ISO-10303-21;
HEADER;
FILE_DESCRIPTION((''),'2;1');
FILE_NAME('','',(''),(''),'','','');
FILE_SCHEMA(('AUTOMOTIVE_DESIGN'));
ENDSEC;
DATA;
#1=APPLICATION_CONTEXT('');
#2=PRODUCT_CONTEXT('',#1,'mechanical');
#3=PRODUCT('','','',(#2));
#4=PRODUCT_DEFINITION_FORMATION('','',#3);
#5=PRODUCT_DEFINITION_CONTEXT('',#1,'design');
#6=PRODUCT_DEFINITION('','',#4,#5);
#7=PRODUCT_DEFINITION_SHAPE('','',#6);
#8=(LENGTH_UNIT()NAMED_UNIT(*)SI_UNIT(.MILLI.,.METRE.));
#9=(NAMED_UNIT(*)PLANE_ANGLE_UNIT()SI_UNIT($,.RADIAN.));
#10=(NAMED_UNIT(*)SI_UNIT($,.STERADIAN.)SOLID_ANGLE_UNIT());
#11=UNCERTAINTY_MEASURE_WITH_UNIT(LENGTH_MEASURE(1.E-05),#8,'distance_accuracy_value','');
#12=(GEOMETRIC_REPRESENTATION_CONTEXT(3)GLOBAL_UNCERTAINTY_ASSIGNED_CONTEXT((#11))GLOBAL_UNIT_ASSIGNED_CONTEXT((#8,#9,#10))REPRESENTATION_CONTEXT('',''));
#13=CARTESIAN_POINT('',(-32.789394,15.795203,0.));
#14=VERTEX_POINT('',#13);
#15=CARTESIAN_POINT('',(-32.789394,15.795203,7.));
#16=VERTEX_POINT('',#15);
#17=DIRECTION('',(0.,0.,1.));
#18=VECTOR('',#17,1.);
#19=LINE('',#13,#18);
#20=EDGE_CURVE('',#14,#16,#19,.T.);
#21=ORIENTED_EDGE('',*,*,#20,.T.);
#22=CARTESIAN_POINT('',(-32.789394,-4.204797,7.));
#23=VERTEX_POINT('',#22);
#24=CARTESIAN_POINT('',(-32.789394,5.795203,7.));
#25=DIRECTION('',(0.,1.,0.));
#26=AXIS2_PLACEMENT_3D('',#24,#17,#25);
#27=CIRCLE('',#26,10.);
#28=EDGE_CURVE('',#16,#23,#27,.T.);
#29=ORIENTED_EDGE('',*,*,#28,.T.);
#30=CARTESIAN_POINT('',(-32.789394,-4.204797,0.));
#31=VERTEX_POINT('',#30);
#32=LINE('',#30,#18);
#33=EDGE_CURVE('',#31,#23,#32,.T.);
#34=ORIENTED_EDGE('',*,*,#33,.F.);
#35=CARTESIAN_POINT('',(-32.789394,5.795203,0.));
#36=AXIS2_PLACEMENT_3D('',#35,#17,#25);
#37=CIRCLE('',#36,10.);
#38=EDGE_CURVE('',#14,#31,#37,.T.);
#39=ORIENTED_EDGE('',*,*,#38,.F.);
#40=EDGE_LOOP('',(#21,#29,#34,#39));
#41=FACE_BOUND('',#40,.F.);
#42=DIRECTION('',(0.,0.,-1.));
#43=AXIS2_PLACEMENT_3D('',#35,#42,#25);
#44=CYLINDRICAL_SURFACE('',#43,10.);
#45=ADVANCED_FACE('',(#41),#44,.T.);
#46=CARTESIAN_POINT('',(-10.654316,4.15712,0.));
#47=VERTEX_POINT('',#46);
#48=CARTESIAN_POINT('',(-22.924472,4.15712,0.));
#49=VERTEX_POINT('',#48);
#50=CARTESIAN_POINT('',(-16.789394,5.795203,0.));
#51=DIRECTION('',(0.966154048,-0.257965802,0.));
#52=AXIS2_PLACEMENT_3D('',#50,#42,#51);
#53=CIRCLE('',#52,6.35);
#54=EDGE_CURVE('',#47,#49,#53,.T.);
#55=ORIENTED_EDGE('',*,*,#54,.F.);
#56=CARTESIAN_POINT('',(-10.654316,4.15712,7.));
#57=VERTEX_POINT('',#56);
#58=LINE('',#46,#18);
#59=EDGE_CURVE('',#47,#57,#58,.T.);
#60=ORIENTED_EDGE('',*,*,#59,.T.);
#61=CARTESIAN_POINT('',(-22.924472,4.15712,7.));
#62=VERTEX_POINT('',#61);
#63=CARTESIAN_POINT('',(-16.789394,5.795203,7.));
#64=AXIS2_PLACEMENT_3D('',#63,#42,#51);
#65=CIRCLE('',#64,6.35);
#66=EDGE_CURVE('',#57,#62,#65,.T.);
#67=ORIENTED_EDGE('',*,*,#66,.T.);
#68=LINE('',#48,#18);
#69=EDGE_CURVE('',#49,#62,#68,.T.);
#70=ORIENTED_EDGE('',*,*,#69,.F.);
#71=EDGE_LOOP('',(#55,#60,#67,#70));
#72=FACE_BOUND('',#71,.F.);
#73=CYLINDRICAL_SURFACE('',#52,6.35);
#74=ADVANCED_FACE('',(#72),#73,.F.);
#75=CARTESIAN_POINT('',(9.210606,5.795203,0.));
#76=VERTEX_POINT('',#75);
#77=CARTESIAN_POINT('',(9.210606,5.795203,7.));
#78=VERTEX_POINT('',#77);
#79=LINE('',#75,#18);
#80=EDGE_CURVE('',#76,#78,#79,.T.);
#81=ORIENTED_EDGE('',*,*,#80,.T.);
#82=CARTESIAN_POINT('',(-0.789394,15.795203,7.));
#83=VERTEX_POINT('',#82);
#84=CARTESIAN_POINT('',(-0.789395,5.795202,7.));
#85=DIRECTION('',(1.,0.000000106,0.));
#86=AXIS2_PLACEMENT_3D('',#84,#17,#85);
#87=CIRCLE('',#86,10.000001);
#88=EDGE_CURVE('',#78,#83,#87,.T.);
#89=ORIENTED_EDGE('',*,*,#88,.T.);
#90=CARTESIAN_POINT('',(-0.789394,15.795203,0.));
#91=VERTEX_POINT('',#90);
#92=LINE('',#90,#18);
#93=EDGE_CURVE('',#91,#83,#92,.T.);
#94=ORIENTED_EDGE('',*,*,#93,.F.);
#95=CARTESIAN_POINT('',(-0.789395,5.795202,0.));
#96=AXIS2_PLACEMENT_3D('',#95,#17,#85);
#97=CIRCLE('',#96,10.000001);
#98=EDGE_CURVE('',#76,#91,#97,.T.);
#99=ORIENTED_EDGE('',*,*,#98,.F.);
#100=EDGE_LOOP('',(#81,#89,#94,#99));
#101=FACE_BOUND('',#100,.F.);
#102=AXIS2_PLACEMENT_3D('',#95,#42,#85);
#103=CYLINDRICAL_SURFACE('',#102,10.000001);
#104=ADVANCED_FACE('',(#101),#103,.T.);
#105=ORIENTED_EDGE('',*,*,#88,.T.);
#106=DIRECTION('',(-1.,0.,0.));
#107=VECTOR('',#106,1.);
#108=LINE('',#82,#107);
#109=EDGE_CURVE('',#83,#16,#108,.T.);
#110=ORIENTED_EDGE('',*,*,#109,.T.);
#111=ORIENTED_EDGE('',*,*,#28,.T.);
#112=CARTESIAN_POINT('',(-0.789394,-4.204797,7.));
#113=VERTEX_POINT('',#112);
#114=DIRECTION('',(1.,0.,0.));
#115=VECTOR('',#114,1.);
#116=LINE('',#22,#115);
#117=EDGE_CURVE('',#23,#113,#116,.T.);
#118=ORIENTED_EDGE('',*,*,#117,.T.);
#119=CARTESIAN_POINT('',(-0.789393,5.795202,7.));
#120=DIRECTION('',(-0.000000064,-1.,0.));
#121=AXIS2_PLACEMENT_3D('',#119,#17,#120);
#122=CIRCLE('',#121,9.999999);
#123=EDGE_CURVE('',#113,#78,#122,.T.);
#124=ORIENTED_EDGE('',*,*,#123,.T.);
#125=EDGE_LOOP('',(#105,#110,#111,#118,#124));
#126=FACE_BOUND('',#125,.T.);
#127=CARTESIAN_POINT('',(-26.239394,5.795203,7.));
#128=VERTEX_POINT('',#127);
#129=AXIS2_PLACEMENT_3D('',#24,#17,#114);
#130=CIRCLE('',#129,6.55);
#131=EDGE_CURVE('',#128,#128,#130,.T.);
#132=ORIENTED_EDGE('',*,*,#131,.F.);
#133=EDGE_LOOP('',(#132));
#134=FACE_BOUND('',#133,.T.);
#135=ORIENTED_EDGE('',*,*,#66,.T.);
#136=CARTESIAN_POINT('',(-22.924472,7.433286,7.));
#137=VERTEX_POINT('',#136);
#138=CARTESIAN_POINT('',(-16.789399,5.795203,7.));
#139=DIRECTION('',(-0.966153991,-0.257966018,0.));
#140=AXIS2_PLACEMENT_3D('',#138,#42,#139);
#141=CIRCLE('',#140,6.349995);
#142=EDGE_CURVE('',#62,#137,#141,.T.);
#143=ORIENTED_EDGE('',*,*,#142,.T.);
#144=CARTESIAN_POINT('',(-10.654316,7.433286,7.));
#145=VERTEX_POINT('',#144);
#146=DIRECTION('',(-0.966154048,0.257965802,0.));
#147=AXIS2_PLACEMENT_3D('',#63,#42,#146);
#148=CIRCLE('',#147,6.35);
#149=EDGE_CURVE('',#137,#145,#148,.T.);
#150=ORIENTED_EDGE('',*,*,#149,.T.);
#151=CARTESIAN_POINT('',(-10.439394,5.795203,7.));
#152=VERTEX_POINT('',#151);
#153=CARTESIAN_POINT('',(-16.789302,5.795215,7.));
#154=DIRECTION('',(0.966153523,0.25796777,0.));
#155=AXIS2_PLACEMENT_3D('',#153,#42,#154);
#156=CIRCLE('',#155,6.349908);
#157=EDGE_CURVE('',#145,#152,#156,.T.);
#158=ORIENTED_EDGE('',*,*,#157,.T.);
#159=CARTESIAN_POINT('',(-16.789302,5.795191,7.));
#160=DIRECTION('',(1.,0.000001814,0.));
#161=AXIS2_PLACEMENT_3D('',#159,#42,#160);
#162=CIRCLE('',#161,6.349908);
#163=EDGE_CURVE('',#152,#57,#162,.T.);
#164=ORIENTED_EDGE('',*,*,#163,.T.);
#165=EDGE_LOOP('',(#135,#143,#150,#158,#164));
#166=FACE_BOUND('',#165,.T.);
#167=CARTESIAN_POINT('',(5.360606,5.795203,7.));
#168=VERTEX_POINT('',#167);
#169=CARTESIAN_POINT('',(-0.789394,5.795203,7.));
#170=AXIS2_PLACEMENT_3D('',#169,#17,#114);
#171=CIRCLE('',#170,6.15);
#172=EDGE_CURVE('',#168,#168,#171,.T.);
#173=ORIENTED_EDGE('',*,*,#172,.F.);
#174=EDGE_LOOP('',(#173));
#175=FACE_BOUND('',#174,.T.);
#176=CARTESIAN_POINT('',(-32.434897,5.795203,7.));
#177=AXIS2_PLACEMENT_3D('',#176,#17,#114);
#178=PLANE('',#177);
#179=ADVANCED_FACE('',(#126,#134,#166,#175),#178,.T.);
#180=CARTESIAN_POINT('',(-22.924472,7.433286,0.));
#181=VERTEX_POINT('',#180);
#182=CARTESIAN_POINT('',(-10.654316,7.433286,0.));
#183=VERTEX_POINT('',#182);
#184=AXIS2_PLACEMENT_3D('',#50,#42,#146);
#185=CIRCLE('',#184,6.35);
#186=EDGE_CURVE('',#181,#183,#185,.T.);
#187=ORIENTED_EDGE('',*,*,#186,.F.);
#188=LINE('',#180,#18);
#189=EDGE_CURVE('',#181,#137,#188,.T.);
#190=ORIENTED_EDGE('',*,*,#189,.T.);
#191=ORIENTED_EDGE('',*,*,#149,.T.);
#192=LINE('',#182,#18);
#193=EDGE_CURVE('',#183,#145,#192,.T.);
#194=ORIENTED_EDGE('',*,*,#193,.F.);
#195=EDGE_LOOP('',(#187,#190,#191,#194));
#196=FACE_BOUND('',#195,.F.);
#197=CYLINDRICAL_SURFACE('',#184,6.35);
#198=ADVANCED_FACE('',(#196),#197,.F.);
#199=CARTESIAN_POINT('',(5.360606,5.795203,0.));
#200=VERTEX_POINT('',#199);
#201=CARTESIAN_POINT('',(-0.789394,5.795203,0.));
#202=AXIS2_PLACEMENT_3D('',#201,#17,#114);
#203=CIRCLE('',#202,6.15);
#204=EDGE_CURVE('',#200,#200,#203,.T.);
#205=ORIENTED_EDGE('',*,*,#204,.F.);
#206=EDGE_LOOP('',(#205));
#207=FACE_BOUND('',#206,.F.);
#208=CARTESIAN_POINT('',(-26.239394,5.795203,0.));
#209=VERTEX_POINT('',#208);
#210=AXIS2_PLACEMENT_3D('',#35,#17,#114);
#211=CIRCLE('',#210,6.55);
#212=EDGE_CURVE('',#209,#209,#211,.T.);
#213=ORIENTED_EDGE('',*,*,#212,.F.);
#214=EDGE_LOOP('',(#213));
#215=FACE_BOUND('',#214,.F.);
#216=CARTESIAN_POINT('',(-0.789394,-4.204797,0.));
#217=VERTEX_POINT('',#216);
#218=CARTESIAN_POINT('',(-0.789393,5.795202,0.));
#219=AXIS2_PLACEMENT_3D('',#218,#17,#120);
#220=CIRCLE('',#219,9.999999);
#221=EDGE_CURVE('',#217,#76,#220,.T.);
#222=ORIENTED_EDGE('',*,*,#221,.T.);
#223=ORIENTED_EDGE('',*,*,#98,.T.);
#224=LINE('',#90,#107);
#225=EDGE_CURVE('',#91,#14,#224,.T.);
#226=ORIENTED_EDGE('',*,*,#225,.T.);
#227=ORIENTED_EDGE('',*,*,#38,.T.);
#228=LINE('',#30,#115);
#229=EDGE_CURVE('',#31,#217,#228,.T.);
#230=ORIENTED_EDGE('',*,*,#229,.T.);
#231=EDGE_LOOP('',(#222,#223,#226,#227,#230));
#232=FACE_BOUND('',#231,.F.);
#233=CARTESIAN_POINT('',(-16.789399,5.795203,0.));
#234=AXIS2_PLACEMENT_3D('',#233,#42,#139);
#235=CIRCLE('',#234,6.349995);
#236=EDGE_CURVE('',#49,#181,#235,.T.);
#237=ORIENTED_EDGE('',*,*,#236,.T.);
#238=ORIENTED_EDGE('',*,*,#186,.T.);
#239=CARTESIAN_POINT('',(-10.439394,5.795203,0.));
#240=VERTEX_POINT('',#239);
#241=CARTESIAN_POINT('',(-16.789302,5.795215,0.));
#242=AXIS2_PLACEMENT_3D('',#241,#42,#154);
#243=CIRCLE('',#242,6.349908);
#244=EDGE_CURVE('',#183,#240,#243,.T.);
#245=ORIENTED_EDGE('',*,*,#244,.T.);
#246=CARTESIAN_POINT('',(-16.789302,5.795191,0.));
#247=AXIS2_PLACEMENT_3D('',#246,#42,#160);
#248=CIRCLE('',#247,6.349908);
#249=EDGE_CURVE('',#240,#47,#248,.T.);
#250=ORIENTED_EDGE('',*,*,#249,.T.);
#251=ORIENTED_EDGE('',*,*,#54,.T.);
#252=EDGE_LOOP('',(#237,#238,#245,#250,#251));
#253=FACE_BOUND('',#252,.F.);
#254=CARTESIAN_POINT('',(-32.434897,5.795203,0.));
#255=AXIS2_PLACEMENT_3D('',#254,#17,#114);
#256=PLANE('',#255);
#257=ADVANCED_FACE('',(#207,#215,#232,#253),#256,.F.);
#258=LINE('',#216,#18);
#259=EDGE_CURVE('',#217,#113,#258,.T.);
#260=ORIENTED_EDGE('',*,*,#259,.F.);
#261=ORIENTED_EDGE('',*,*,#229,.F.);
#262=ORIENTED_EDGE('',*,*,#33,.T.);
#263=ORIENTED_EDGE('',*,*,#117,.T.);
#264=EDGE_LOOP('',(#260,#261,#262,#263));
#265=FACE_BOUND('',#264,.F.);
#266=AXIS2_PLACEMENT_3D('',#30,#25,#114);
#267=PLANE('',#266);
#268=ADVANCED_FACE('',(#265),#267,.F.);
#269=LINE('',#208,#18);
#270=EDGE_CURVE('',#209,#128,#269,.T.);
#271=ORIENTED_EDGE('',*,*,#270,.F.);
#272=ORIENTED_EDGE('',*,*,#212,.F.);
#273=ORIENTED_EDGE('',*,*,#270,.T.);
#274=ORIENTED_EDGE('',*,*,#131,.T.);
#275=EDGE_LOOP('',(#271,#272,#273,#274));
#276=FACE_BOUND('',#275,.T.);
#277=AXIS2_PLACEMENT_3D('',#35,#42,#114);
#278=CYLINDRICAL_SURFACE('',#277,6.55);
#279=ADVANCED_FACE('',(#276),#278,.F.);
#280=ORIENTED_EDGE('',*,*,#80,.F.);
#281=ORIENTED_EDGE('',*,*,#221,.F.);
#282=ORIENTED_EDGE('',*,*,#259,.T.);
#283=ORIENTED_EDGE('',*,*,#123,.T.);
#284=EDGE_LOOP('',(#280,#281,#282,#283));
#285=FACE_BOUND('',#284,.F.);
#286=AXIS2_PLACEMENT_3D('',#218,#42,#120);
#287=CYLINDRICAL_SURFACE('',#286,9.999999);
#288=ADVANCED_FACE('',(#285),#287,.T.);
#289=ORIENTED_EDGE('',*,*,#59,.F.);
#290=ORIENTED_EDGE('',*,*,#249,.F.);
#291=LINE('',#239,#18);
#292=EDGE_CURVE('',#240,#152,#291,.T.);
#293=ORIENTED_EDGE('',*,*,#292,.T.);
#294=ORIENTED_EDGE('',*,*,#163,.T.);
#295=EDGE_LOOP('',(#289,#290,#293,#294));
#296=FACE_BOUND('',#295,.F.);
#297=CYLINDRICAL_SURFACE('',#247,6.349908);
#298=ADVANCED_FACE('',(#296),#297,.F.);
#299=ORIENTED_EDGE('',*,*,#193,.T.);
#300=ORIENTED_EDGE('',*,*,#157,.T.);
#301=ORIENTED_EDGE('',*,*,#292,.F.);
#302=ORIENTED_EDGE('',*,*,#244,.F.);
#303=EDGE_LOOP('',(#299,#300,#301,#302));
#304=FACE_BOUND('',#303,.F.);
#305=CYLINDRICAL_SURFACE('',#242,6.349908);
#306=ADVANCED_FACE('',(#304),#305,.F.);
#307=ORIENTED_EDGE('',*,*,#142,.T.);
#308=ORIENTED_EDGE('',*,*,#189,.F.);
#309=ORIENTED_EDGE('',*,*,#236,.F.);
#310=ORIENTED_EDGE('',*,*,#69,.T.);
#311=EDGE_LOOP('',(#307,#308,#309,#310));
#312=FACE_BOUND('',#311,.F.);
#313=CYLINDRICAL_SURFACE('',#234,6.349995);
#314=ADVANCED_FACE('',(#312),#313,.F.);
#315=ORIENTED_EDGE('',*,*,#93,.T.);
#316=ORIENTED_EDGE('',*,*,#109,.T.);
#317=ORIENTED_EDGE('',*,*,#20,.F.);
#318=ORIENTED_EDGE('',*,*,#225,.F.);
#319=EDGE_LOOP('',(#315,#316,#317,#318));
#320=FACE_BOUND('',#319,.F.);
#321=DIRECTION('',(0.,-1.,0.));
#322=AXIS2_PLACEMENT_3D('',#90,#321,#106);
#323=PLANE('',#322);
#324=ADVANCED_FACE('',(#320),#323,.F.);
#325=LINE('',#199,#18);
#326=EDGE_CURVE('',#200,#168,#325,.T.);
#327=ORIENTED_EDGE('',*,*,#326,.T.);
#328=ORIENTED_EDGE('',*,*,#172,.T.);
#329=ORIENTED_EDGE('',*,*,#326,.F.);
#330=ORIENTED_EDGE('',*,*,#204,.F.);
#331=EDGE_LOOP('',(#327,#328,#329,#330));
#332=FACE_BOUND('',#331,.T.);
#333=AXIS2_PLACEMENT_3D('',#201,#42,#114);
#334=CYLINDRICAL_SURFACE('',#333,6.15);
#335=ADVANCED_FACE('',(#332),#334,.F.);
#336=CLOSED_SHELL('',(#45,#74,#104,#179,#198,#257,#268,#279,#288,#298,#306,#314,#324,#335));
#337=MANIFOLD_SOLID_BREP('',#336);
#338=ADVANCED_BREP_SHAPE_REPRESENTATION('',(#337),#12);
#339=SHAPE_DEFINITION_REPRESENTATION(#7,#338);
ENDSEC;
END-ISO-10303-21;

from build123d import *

# Parameters (mm, degrees)
F0_R     = 6.55
F0_R_2   = 6.15
F1_DEPTH = 7


with BuildPart() as f1:
    # F0 (on Top) → F1 (new body)
    with BuildSketch(Plane.XY):
        with BuildLine():
            ThreePointArc((-22.924472, 4.15712), (-23.139394, 5.795203), (-22.924472, 7.433286))
            ThreePointArc((-22.924472, 7.433286), (-26.323361, 13.423467), (-32.789394, 15.795203))
            ThreePointArc((-32.789394, 15.795203), (-42.789394, 5.795203), (-32.789394, -4.204797))
            ThreePointArc((-32.789394, -4.204797), (-26.323361, -1.833062), (-22.924472, 4.15712))
        make_face()
        with Locations((-32.789394, 5.795203)):
            Circle(F0_R, mode=Mode.SUBTRACT)
        with BuildLine():
            ThreePointArc((-0.789394, -4.204797), (-7.255427, -1.833062), (-10.654316, 4.15712))
            ThreePointArc((-10.654316, 4.15712), (-16.789394, -0.554797), (-22.924472, 4.15712))
            ThreePointArc((-22.924472, 4.15712), (-26.323361, -1.833062), (-32.789394, -4.204797))
            Line((-32.789394, -4.204797), (-0.789394, -4.204797))
        make_face()
        with BuildLine():
            ThreePointArc((-22.924472, 7.433286), (-16.789394, 12.145203), (-10.654316, 7.433286))
            ThreePointArc((-10.654316, 7.433286), (-7.255427, 13.423467), (-0.789394, 15.795203))
            Line((-0.789394, 15.795203), (-32.789394, 15.795203))
            ThreePointArc((-32.789394, 15.795203), (-26.323361, 13.423467), (-22.924472, 7.433286))
        make_face()
        with BuildLine():
            ThreePointArc((-10.654316, 7.433286), (-10.493353, 6.621264), (-10.439394, 5.795203))
            ThreePointArc((-10.439394, 5.795203), (-10.493353, 4.969142), (-10.654316, 4.15712))
            ThreePointArc((-10.654316, 4.15712), (-7.255427, -1.833062), (-0.789394, -4.204797))
            ThreePointArc((-0.789394, -4.204797), (6.281674, -1.275865), (9.210606, 5.795203))
            ThreePointArc((9.210606, 5.795203), (6.281674, 12.86627), (-0.789394, 15.795203))
            ThreePointArc((-0.789394, 15.795203), (-7.255427, 13.423467), (-10.654316, 7.433286))
        make_face()
        with Locations((-0.789394, 5.795203)):
            Circle(F0_R_2, mode=Mode.SUBTRACT)
    extrude(amount=F1_DEPTH)


solid = f1.part
